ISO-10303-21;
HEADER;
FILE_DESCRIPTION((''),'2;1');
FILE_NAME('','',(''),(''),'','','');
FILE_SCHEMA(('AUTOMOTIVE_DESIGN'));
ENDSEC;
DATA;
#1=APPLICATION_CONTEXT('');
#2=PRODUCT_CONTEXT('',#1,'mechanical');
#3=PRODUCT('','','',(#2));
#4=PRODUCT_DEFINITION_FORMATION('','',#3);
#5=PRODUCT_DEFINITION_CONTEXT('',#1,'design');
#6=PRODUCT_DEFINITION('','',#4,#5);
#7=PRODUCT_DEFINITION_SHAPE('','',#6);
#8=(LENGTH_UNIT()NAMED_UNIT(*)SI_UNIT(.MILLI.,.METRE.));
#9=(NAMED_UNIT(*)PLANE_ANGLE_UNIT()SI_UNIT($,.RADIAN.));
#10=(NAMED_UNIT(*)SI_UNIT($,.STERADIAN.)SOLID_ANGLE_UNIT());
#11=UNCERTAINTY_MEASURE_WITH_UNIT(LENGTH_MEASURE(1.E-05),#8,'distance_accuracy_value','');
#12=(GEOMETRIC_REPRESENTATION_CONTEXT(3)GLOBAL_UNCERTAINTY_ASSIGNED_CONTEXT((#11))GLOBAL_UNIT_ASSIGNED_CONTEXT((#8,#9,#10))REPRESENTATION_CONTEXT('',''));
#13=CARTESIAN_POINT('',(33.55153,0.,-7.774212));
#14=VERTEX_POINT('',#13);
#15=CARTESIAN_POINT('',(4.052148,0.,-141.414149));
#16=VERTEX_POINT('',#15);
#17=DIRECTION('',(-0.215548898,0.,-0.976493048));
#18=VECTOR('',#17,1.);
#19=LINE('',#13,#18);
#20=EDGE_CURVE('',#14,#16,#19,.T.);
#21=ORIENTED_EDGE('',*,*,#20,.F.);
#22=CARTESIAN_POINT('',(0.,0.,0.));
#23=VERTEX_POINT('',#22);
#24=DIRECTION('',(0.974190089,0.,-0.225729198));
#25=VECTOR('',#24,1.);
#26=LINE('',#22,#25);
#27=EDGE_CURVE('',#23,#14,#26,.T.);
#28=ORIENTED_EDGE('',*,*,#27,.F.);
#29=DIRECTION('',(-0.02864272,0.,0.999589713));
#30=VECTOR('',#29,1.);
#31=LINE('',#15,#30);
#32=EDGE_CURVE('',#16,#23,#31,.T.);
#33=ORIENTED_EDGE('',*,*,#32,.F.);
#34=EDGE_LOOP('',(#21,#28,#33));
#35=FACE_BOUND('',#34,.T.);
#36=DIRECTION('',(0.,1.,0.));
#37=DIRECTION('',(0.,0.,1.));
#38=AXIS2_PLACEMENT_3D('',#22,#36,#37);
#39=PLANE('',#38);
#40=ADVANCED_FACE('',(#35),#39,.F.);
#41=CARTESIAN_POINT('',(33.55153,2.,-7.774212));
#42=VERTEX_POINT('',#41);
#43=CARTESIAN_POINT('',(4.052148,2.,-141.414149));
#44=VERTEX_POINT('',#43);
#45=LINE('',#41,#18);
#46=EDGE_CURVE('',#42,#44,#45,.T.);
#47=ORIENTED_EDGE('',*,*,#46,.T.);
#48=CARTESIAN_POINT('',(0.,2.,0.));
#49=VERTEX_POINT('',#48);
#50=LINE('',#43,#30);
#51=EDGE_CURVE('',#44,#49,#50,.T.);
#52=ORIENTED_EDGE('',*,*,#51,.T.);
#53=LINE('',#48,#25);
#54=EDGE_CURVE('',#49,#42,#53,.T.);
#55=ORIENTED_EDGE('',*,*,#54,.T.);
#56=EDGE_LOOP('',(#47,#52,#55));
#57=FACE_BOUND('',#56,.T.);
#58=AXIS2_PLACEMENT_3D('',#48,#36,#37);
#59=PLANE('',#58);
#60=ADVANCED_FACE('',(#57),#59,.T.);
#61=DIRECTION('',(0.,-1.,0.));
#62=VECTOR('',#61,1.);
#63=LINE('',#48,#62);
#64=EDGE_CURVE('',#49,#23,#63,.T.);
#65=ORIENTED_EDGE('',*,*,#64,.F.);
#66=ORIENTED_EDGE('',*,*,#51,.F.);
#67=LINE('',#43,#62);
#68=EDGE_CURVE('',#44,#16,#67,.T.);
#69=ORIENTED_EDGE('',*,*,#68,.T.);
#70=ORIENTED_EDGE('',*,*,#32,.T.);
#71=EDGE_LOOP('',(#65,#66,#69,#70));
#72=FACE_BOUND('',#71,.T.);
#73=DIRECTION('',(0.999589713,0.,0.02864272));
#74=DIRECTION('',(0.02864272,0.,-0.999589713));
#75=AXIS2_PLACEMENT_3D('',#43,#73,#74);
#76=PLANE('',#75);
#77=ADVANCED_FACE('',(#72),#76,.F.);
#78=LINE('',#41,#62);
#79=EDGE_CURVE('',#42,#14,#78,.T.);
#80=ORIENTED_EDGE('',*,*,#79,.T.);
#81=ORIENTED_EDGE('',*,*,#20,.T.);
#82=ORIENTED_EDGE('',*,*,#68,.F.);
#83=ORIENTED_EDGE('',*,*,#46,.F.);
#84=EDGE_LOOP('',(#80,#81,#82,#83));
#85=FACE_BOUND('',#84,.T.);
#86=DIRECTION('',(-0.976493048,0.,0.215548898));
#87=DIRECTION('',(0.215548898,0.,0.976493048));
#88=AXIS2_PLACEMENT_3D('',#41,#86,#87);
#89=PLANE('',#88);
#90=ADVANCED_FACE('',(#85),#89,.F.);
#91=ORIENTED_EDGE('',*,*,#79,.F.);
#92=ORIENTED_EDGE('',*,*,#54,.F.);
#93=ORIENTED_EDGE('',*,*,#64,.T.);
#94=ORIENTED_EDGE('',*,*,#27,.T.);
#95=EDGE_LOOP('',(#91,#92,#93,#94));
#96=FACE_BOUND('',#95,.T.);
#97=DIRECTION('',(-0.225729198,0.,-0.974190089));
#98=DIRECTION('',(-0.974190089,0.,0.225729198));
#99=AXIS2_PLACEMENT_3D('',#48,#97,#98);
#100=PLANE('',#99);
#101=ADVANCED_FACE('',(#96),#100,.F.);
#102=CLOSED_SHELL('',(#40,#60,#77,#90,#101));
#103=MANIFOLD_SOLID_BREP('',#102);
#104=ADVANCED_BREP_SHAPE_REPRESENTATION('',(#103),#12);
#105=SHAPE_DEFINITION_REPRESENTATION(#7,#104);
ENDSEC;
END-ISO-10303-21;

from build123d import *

# Parameters (mm, degrees)
BOSS_EXTRU_1_DEPTH = 2


with BuildPart() as part:
    # Esquisse1 → Boss.-Extru.1 (new body)
    with BuildSketch(Plane(origin=(0, 0, 0), x_dir=(1, 0, 0), z_dir=(0, 1, 0))):
        Polygon((33.551530257, 7.774211742), (4.052148419, 141.414149334), (0, 0), align=None)
    extrude(amount=BOSS_EXTRU_1_DEPTH)


solid = part.part
